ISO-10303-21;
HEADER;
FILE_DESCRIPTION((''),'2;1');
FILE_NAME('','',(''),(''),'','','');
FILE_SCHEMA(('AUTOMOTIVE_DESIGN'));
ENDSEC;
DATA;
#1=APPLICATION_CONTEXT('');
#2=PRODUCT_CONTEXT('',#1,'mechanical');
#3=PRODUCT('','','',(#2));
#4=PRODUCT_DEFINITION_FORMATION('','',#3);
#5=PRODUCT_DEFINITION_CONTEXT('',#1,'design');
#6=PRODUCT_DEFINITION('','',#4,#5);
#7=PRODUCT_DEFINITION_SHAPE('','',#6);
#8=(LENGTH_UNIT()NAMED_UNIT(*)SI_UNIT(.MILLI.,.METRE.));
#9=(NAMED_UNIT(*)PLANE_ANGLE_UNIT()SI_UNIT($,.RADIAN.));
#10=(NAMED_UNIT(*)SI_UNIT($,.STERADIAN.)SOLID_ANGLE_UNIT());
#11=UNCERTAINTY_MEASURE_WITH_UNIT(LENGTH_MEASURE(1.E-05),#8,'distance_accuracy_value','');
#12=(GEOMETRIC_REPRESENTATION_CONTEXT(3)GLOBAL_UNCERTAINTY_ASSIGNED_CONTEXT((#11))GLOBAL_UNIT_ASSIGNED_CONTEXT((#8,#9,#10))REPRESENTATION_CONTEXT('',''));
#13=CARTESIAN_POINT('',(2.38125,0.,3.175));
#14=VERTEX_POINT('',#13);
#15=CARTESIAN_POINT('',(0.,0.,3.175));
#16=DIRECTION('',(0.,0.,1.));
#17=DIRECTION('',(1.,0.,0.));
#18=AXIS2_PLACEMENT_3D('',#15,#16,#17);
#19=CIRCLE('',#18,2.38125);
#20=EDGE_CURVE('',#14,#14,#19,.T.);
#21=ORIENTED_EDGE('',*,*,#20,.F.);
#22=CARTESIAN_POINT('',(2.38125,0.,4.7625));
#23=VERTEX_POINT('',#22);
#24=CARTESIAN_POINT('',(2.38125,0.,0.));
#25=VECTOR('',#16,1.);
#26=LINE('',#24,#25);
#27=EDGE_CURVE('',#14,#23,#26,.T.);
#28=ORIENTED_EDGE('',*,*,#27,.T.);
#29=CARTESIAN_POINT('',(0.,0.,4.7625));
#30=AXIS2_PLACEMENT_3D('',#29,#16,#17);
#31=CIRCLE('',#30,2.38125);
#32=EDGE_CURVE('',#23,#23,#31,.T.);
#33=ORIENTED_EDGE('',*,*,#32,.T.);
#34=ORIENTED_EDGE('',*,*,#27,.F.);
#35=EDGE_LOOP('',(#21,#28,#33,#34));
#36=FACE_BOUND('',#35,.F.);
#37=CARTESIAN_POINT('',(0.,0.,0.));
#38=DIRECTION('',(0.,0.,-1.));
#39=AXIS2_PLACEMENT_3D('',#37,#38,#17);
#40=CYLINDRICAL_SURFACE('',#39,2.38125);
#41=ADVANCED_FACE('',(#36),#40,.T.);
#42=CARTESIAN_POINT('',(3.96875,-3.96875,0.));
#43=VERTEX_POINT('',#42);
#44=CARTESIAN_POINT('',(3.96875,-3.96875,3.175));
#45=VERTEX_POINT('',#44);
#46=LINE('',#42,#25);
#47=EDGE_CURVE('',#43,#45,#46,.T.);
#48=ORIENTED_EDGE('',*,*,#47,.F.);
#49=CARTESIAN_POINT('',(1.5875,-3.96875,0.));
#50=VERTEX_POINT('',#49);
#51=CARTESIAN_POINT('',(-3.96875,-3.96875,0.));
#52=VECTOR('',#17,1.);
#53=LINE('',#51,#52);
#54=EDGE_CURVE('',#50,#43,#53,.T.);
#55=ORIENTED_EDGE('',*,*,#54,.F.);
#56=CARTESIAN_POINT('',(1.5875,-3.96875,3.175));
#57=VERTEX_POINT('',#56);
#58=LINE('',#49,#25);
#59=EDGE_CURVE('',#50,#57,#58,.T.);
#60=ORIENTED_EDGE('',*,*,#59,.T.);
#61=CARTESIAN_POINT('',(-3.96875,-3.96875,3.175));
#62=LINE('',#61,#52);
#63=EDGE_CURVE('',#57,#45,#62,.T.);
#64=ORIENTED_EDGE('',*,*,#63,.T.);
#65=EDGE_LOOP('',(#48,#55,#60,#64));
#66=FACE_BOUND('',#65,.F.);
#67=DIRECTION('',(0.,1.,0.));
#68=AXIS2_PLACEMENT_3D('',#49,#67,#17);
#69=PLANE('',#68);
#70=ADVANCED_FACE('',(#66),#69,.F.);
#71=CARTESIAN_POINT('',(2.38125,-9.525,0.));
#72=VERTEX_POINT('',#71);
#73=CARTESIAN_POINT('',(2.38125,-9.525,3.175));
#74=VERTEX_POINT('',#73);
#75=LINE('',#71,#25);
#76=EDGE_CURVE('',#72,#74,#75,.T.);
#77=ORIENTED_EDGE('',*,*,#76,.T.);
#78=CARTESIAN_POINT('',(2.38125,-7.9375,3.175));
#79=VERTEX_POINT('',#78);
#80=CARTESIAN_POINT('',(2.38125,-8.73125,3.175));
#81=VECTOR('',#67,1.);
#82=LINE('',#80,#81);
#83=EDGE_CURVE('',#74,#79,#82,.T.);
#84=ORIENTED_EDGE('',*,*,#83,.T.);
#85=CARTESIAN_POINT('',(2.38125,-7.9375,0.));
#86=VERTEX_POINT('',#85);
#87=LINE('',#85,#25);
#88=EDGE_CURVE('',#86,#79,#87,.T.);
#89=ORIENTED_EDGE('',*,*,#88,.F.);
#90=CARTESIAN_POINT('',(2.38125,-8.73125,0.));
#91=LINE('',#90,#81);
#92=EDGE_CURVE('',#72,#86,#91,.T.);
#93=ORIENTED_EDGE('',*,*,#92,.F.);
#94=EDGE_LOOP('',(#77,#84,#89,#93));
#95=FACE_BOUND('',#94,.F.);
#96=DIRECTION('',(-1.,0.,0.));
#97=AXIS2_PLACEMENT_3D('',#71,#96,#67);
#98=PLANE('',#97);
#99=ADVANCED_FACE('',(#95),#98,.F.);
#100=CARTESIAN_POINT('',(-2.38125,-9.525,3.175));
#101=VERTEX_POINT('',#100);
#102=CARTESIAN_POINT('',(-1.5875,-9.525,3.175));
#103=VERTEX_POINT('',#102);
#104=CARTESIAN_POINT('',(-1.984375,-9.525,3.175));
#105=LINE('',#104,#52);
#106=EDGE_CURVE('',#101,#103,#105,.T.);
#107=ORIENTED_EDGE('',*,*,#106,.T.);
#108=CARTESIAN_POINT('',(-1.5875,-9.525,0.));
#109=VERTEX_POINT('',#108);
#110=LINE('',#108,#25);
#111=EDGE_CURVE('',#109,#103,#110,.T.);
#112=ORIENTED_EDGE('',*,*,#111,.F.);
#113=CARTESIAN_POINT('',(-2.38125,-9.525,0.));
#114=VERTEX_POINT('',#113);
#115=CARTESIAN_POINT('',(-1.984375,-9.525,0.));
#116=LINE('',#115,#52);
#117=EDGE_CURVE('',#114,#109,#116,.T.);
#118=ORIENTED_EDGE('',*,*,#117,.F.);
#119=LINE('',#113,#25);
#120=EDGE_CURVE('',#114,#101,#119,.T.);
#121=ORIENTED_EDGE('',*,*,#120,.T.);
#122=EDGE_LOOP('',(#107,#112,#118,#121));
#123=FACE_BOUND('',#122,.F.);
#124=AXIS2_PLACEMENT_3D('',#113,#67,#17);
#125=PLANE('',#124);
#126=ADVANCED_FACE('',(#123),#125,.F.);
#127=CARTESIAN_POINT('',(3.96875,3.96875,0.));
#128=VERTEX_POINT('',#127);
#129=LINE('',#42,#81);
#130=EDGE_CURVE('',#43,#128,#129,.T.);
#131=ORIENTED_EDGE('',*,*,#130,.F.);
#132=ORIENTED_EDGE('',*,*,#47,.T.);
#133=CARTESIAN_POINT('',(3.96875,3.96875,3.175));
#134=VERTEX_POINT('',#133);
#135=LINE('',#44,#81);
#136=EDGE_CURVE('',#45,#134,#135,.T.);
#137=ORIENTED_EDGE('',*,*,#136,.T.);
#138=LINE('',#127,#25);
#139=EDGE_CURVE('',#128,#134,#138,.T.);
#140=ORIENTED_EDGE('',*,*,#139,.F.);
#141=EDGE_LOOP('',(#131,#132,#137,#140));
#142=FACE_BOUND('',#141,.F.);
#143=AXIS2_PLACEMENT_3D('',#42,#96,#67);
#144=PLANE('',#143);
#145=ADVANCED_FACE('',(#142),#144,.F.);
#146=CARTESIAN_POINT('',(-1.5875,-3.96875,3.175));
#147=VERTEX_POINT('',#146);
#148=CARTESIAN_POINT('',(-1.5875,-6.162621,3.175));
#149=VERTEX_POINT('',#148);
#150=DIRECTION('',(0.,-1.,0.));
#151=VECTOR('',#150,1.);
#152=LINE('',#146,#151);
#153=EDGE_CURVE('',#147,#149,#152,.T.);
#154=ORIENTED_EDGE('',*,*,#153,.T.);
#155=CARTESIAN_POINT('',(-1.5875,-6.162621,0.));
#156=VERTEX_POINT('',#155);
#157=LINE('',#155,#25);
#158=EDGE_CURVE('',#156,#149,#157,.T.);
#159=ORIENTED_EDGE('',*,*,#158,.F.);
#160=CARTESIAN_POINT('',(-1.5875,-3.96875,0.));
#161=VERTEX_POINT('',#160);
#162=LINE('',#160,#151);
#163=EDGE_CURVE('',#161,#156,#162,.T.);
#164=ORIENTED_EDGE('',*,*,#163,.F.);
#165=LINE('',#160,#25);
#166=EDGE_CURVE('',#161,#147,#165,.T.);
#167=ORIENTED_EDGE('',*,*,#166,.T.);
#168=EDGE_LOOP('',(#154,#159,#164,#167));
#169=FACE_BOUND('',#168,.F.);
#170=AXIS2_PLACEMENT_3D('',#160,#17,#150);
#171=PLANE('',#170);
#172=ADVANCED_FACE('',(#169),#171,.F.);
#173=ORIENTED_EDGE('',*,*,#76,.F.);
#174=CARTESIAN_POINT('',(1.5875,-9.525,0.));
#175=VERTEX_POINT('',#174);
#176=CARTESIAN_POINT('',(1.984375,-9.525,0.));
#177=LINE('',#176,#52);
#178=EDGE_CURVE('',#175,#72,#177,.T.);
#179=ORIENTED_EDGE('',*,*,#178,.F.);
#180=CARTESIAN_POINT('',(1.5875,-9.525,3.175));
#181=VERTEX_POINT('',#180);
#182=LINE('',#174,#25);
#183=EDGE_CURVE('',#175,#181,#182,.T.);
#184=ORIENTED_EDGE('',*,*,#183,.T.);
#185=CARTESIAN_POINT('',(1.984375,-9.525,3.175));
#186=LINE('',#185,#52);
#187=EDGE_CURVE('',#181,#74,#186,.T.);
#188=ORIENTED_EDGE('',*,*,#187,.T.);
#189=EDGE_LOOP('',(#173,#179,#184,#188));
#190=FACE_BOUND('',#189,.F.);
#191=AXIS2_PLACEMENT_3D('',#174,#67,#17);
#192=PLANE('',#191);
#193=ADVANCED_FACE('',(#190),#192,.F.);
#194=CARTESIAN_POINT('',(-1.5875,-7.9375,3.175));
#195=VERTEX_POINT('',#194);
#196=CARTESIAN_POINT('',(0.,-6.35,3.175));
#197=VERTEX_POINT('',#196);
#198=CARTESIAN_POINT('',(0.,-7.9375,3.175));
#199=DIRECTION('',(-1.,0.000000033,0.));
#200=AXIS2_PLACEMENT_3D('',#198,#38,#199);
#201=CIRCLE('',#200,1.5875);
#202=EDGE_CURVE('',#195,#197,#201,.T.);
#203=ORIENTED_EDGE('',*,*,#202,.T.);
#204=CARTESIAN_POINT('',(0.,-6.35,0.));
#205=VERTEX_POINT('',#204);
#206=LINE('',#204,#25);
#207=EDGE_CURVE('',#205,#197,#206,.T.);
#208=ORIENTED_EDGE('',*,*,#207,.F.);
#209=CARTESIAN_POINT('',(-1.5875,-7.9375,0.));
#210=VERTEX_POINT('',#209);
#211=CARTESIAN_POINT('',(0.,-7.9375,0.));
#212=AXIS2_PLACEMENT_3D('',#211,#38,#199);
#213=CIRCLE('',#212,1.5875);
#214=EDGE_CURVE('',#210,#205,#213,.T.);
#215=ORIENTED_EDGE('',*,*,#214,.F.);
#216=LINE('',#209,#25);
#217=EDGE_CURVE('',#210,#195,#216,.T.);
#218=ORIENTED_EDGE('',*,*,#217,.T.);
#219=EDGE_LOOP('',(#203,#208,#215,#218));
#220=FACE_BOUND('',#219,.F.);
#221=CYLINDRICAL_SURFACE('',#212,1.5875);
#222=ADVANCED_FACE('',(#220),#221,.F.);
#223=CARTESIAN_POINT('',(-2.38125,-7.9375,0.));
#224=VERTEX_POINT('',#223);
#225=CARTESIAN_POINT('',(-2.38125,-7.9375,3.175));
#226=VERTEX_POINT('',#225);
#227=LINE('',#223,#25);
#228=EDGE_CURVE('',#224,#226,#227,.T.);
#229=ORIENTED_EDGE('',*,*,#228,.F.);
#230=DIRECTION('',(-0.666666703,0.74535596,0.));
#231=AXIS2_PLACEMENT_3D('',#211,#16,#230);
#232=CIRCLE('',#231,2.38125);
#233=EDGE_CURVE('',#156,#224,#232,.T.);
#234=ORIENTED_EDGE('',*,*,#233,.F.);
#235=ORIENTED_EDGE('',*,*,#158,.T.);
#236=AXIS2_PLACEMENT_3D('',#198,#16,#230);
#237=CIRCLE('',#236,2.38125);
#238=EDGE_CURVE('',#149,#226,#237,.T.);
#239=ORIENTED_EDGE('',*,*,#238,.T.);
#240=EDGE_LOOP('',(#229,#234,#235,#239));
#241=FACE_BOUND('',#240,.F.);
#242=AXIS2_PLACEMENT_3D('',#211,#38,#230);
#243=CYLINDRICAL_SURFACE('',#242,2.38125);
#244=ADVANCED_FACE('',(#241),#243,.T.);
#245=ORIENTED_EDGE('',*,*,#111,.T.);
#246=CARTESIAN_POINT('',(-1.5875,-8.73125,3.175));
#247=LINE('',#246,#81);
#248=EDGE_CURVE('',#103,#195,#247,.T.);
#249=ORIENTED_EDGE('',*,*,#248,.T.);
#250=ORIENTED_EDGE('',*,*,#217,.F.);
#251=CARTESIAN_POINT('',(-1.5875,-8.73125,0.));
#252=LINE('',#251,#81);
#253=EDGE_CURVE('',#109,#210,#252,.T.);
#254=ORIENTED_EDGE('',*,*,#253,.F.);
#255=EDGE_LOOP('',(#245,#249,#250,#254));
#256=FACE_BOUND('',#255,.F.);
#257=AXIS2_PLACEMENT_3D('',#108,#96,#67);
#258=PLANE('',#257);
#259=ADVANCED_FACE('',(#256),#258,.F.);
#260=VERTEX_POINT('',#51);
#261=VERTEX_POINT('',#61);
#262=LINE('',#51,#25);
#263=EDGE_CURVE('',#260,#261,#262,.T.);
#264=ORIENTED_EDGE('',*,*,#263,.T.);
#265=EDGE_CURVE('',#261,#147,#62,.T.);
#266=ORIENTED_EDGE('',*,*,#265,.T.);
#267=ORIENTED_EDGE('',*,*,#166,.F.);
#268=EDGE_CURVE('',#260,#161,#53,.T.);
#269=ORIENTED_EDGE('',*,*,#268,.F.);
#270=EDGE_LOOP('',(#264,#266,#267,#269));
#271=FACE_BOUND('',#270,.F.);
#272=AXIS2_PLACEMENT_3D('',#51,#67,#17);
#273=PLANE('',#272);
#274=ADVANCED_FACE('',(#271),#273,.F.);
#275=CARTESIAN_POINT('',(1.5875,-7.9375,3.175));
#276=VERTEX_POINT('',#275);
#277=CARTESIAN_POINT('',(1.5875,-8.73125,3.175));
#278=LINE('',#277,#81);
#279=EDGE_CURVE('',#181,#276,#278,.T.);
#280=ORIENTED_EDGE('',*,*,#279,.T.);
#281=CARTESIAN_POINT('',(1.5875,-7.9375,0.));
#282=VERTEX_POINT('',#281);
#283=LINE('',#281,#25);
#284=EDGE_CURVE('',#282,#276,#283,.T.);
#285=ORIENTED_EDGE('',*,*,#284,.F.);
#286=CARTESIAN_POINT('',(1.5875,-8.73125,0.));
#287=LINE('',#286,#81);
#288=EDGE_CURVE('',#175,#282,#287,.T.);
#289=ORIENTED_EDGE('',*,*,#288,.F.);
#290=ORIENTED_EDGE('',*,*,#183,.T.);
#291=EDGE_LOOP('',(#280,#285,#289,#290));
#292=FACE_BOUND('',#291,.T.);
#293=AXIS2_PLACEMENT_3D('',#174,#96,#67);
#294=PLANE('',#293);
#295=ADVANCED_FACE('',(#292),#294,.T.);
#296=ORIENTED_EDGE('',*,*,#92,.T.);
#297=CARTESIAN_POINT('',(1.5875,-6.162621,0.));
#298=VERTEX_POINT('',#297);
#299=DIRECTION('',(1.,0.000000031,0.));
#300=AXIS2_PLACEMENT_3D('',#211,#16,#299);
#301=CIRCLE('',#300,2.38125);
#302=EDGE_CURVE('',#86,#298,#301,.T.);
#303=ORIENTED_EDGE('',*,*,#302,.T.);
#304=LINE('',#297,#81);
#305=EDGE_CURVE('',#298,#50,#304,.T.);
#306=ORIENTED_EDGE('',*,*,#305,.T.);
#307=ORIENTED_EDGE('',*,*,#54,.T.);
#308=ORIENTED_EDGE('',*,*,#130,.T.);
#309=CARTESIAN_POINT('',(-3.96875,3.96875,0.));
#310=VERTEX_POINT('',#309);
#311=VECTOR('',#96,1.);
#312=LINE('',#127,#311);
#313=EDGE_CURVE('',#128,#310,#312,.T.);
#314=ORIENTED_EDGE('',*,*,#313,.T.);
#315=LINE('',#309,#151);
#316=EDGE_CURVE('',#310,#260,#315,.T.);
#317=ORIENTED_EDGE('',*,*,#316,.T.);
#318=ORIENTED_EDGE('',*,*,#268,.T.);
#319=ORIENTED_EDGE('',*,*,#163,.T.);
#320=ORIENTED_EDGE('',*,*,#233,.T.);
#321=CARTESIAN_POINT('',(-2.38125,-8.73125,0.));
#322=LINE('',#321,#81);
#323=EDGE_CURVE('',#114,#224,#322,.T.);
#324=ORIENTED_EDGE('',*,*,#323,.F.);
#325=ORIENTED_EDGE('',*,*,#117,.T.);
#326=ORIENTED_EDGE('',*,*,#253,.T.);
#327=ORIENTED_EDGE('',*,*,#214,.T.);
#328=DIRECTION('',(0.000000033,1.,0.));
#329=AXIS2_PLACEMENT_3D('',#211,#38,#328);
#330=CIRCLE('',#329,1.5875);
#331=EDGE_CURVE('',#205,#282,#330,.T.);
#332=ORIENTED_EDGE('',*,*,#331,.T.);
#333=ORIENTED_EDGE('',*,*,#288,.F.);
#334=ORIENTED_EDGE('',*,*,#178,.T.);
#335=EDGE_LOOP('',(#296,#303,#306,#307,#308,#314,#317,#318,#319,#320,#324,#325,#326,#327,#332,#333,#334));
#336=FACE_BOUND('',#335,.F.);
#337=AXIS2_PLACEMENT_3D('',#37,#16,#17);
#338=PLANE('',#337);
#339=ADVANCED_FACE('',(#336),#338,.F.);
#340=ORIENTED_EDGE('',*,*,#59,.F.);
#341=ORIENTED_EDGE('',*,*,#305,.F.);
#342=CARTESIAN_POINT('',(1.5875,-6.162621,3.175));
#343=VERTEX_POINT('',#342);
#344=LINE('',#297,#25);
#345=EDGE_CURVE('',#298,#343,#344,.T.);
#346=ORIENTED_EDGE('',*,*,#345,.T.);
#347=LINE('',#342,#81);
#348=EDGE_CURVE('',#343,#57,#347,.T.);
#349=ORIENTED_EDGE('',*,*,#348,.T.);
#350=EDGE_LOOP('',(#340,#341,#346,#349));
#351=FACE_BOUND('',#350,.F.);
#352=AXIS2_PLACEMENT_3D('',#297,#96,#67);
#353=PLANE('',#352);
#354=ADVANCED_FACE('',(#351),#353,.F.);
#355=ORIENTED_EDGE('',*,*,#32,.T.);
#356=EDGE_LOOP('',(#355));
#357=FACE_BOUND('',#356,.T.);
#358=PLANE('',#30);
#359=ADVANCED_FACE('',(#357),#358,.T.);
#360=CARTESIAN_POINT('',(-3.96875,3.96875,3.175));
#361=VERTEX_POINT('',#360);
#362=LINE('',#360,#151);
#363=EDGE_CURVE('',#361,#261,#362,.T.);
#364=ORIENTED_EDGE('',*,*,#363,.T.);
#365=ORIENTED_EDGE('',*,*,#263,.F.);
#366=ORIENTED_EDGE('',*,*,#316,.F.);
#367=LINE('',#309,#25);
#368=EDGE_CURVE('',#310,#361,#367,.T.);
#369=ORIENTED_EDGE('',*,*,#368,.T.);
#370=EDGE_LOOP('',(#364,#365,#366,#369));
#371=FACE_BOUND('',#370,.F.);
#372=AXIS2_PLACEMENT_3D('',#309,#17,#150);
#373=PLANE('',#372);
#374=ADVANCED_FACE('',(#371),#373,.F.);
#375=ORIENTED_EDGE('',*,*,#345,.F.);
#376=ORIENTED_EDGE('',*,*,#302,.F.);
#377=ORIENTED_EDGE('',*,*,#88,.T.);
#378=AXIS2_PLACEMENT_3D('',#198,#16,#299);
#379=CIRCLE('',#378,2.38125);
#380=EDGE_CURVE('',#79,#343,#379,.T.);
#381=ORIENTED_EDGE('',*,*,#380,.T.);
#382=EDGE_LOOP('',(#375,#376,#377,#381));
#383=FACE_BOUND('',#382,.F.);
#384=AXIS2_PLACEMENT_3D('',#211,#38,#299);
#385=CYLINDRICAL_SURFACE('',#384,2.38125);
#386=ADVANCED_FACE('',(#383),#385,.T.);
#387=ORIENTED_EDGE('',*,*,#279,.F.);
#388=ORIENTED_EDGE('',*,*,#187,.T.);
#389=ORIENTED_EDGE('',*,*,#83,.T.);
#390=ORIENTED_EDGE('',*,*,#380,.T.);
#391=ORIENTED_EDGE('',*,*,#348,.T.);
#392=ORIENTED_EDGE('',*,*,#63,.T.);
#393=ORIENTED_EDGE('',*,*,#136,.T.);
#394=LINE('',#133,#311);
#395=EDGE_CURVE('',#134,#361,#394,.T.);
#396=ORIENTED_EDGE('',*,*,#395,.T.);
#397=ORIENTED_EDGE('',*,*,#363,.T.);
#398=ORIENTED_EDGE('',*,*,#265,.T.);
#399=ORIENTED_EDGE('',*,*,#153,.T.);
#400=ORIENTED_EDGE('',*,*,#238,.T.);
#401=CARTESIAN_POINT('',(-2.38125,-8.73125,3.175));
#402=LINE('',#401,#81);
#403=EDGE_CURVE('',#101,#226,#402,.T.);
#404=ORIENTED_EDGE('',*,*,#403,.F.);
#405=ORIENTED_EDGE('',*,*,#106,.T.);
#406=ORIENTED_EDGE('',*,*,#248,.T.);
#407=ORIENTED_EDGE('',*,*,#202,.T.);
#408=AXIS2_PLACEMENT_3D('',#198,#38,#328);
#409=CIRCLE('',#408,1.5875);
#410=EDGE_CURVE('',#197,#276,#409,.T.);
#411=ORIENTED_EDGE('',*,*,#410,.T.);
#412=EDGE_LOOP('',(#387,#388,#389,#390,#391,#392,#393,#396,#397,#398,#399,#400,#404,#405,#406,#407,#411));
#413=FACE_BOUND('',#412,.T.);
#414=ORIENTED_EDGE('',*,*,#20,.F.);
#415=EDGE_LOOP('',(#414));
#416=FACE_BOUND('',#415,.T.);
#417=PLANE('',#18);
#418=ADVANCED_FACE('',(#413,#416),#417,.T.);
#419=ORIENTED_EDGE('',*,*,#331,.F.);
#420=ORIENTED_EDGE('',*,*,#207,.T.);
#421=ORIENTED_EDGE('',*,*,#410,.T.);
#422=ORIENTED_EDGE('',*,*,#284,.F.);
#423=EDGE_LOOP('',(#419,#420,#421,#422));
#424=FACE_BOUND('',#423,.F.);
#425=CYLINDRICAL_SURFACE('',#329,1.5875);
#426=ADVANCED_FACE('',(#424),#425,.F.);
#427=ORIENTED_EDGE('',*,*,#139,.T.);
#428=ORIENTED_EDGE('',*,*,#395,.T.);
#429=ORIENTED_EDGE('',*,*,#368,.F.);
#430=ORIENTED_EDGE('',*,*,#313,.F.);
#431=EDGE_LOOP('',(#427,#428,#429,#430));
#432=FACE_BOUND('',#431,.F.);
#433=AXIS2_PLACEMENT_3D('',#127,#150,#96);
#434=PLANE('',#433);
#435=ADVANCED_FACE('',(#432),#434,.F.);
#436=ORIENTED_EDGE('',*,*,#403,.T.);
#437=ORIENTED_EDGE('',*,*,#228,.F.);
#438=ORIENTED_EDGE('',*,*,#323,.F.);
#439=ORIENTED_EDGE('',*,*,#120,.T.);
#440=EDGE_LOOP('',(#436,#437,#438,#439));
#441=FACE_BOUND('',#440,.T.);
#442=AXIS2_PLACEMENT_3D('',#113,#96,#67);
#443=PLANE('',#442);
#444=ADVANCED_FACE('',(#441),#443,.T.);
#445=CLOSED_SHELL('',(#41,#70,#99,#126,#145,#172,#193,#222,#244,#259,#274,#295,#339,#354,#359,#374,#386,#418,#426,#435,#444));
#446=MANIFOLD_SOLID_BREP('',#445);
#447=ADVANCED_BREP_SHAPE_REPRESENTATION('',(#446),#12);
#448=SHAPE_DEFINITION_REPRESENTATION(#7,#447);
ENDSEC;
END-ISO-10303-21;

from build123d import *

# Parameters (mm, degrees)
F0_R     = 2.38125
F0_W     = 0.79375
F0_H     = 1.5875
F1_DEPTH = 3.175
F2_DEPTH = 4.7625


with BuildPart() as f1:
    # F0 (on Top) → F1 (new body)
    with BuildSketch(Plane.XY):
        Polygon((3.96875, 3.96875), (-3.96875, 3.96875), (-3.96875, -3.96875), (-1.5875, -3.96875), (-0.79375, -3.96875), (0, -3.96875), (0.79375, -3.96875), (1.5875, -3.96875), (3.96875, -3.96875), align=None)
        Circle(F0_R, mode=Mode.SUBTRACT)
        Polygon((-0.79375, -3.96875), (-1.5875, -3.96875), (-1.5875, -5.55625), (0, -5.55625), (0, -3.96875), align=None)
        Polygon((1.5875, -5.55625), (1.5875, -3.96875), (0.79375, -3.96875), (0, -3.96875), (0, -5.55625), align=None)
        with BuildLine():
            Line((1.5875, -6.162621), (1.5875, -5.55625))
            Line((1.5875, -5.55625), (0, -5.55625))
            ThreePointArc((0, -5.55625), (0.849683, -5.713002), (1.5875, -6.162621))
        make_face()
        with BuildLine():
            Line((0, -5.55625), (-1.5875, -5.55625))
            Line((-1.5875, -5.55625), (-1.5875, -6.162621))
            ThreePointArc((-1.5875, -6.162621), (-0.849683, -5.713002), (0, -5.55625))
        make_face()
        with BuildLine():
            Line((0, -6.35), (0, -5.55625))
            ThreePointArc((0, -5.55625), (-0.849683, -5.713002), (-1.5875, -6.162621))
            ThreePointArc((-1.5875, -6.162621), (-2.173774, -6.965359), (-2.38125, -7.9375))
            Line((-2.38125, -7.9375), (-1.5875, -7.9375))
            ThreePointArc((-1.5875, -7.9375), (-1.122532, -6.814968), (0, -6.35))
        make_face()
        with Locations((-1.984375, -8.73125)):
            Rectangle(F0_W, F0_H)
        with BuildLine():
            ThreePointArc((1.5875, -6.162621), (0.849683, -5.713002), (0, -5.55625))
            Line((0, -5.55625), (0, -6.35))
            ThreePointArc((0, -6.35), (1.122532, -6.814968), (1.5875, -7.9375))
            Line((1.5875, -7.9375), (2.38125, -7.9375))
            ThreePointArc((2.38125, -7.9375), (2.173774, -6.965359), (1.5875, -6.162621))
        make_face()
        with Locations((1.984375, -8.73125)):
            Rectangle(F0_W, F0_H)
    extrude(amount=F1_DEPTH)

    # F0 (on Top) → F2 (join)
    with BuildSketch(Plane.XY):
        Circle(F0_R)
    extrude(amount=F2_DEPTH)


solid = f1.part
